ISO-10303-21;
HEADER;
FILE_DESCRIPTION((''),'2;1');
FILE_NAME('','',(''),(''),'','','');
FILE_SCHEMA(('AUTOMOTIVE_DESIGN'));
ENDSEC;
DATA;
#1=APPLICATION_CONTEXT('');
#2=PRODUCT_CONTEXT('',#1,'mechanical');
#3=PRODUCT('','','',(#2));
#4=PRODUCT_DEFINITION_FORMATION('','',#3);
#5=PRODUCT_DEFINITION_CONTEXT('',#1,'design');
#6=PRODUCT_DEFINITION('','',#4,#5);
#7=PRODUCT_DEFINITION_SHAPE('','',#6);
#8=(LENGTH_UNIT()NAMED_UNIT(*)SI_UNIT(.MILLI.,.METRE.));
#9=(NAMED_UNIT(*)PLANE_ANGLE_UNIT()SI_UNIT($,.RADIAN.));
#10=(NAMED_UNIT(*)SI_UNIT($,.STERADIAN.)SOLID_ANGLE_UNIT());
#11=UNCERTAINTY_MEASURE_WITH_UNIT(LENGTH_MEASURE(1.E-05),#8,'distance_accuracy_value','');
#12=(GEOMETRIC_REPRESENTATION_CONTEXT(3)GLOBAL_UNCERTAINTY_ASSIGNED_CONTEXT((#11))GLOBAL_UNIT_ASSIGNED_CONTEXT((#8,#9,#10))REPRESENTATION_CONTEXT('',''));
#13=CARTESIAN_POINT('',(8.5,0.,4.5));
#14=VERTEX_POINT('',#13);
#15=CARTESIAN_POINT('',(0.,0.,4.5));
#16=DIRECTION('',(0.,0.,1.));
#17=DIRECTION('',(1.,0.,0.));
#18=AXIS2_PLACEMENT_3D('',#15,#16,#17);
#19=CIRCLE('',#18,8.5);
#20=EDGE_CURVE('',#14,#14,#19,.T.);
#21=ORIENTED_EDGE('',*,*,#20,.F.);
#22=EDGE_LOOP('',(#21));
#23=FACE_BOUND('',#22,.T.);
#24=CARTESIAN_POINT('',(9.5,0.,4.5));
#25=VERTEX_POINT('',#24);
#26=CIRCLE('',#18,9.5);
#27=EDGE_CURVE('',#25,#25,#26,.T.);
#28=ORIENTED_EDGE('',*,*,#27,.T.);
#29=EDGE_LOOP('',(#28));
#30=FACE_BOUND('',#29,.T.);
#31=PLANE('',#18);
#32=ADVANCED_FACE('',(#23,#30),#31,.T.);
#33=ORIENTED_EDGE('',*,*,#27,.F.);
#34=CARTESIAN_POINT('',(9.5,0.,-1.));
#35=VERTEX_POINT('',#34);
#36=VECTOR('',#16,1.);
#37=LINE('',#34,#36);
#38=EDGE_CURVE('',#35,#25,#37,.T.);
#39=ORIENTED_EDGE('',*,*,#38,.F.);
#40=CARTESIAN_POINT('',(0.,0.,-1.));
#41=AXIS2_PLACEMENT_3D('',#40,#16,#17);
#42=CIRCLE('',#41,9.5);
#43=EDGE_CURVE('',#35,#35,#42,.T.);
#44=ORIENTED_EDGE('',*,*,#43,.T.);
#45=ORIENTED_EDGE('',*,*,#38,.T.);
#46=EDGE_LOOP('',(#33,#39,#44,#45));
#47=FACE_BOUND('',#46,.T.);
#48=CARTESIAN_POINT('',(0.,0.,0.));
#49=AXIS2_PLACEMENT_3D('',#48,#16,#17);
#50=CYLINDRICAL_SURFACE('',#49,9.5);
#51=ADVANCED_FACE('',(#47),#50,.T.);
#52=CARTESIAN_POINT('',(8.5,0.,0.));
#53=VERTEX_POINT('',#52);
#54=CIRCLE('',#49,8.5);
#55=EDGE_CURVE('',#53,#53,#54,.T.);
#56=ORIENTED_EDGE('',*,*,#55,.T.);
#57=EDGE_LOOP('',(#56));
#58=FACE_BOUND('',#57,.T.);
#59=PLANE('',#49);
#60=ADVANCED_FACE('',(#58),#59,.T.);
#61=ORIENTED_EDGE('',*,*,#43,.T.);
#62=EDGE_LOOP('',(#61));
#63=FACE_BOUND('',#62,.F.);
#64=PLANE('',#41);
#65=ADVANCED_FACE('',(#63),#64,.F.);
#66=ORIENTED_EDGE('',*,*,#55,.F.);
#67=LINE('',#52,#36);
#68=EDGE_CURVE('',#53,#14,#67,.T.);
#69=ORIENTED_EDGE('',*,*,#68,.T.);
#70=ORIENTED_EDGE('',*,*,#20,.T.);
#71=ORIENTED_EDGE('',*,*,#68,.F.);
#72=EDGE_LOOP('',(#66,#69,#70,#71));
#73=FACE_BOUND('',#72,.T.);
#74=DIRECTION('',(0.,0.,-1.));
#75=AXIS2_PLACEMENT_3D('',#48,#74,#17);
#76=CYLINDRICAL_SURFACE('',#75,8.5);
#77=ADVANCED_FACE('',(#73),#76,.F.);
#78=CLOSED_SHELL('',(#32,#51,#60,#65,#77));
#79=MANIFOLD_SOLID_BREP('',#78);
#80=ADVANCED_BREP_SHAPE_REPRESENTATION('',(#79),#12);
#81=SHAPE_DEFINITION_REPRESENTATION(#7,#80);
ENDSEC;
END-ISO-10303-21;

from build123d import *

# Parameters (mm, degrees)
F0_R     = 9.5
F0_R_2   = 8.5
F1_DEPTH = 4.5
F0_R_3   = 7.5
F0_R_4   = 6.5
F2_DEPTH = 1


with BuildPart() as f1:
    # F0 (on Top) → F1 (new body)
    with BuildSketch(Plane.XY):
        Circle(F0_R)
        Circle(F0_R_2, mode=Mode.SUBTRACT)
    extrude(amount=F1_DEPTH)

    # F0 (on Top) → F2 (join)
    with BuildSketch(Plane.XY):
        Circle(F0_R)
        Circle(F0_R_2, mode=Mode.SUBTRACT)
        Circle(F0_R_2)
        Circle(F0_R_3, mode=Mode.SUBTRACT)
        Circle(F0_R_3)
        Circle(F0_R_4, mode=Mode.SUBTRACT)
        Circle(F0_R_4)
    extrude(amount=-F2_DEPTH)


solid = f1.part
